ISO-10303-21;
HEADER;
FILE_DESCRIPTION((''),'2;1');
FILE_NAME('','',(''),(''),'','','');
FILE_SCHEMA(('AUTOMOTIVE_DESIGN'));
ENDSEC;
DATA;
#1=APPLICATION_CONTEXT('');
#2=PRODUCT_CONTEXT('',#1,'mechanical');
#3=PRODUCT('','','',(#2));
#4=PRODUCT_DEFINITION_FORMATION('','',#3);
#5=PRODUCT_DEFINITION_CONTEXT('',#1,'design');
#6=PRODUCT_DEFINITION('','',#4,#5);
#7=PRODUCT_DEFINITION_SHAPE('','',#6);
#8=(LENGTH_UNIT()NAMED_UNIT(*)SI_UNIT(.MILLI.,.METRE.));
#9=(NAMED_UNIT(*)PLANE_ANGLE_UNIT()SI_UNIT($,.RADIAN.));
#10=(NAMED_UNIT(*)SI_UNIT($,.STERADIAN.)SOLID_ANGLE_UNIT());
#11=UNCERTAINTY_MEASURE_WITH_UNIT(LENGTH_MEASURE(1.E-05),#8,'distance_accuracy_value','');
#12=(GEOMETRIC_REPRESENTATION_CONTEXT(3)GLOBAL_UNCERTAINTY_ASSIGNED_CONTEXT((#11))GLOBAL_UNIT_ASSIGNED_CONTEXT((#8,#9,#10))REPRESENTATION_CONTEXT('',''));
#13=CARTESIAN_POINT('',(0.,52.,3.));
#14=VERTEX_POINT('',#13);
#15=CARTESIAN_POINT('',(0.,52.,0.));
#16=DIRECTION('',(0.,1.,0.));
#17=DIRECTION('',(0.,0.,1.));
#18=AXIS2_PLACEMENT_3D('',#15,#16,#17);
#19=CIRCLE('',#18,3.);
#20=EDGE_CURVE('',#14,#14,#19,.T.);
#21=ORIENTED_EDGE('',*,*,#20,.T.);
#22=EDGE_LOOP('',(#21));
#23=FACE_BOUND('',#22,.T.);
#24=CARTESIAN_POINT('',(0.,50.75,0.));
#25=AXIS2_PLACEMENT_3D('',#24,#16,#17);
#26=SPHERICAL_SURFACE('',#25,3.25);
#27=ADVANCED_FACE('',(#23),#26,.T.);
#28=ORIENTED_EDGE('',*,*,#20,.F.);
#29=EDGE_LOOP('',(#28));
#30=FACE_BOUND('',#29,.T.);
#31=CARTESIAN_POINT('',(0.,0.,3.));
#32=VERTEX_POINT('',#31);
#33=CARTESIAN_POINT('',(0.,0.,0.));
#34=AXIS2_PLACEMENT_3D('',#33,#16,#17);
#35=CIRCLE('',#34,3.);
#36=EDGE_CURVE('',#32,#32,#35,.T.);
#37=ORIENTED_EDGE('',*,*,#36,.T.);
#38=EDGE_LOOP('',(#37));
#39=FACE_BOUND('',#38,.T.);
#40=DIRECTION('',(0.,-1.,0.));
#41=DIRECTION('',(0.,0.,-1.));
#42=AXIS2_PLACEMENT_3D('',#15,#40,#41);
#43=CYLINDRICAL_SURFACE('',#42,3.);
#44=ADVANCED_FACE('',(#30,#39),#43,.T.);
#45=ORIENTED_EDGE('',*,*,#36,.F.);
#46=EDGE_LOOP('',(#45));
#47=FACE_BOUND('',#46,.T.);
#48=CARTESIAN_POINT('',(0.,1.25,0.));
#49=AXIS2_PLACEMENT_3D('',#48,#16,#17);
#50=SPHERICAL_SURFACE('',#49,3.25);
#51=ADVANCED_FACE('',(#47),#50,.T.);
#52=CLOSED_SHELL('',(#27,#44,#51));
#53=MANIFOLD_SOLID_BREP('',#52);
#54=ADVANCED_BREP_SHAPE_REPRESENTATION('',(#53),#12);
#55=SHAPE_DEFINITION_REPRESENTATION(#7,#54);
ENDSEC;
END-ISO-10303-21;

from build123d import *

# Parameters (mm, degrees)
SKETCH1_R           = 3
BOSS_EXTRUDE1_DEPTH = 52
DOME1_FACE_RADIUS   = 3
DOME1_HEIGHT        = 2
DOME2_FACE_RADIUS   = 3
DOME2_HEIGHT        = 2


with BuildPart() as part:
    # Sketch1 → Boss-Extrude1 (new body)
    with BuildSketch(Plane(origin=(0, 0, 0), x_dir=(1, 0, 0), z_dir=(0, 1, 0))):
        Circle(SKETCH1_R)
    extrude(amount=BOSS_EXTRUDE1_DEPTH)

    # Dome1: a dome of height H over a round flat face of radius A is a cap of a sphere of radius (A * A + H * H) / (2 * H)
    dome1_r = (DOME1_FACE_RADIUS * DOME1_FACE_RADIUS + DOME1_HEIGHT * DOME1_HEIGHT) / (2 * DOME1_HEIGHT)
    dome1_base = Plane((0, 52, 0), z_dir=(0, 1, 0))
    with Locations(dome1_base.offset(DOME1_HEIGHT - dome1_r)):
        dome1_ball = Sphere(dome1_r, mode=Mode.PRIVATE)
    add(split(dome1_ball, bisect_by=dome1_base, keep=Keep.TOP, mode=Mode.PRIVATE))

    # Dome2: a dome of height H over a round flat face of radius A is a cap of a sphere of radius (A * A + H * H) / (2 * H)
    dome2_r = (DOME2_FACE_RADIUS * DOME2_FACE_RADIUS + DOME2_HEIGHT * DOME2_HEIGHT) / (2 * DOME2_HEIGHT)
    dome2_base = Plane((0, 0, 0), z_dir=(0, -1, 0))
    with Locations(dome2_base.offset(DOME2_HEIGHT - dome2_r)):
        dome2_ball = Sphere(dome2_r, mode=Mode.PRIVATE)
    add(split(dome2_ball, bisect_by=dome2_base, keep=Keep.TOP, mode=Mode.PRIVATE))


solid = part.part
